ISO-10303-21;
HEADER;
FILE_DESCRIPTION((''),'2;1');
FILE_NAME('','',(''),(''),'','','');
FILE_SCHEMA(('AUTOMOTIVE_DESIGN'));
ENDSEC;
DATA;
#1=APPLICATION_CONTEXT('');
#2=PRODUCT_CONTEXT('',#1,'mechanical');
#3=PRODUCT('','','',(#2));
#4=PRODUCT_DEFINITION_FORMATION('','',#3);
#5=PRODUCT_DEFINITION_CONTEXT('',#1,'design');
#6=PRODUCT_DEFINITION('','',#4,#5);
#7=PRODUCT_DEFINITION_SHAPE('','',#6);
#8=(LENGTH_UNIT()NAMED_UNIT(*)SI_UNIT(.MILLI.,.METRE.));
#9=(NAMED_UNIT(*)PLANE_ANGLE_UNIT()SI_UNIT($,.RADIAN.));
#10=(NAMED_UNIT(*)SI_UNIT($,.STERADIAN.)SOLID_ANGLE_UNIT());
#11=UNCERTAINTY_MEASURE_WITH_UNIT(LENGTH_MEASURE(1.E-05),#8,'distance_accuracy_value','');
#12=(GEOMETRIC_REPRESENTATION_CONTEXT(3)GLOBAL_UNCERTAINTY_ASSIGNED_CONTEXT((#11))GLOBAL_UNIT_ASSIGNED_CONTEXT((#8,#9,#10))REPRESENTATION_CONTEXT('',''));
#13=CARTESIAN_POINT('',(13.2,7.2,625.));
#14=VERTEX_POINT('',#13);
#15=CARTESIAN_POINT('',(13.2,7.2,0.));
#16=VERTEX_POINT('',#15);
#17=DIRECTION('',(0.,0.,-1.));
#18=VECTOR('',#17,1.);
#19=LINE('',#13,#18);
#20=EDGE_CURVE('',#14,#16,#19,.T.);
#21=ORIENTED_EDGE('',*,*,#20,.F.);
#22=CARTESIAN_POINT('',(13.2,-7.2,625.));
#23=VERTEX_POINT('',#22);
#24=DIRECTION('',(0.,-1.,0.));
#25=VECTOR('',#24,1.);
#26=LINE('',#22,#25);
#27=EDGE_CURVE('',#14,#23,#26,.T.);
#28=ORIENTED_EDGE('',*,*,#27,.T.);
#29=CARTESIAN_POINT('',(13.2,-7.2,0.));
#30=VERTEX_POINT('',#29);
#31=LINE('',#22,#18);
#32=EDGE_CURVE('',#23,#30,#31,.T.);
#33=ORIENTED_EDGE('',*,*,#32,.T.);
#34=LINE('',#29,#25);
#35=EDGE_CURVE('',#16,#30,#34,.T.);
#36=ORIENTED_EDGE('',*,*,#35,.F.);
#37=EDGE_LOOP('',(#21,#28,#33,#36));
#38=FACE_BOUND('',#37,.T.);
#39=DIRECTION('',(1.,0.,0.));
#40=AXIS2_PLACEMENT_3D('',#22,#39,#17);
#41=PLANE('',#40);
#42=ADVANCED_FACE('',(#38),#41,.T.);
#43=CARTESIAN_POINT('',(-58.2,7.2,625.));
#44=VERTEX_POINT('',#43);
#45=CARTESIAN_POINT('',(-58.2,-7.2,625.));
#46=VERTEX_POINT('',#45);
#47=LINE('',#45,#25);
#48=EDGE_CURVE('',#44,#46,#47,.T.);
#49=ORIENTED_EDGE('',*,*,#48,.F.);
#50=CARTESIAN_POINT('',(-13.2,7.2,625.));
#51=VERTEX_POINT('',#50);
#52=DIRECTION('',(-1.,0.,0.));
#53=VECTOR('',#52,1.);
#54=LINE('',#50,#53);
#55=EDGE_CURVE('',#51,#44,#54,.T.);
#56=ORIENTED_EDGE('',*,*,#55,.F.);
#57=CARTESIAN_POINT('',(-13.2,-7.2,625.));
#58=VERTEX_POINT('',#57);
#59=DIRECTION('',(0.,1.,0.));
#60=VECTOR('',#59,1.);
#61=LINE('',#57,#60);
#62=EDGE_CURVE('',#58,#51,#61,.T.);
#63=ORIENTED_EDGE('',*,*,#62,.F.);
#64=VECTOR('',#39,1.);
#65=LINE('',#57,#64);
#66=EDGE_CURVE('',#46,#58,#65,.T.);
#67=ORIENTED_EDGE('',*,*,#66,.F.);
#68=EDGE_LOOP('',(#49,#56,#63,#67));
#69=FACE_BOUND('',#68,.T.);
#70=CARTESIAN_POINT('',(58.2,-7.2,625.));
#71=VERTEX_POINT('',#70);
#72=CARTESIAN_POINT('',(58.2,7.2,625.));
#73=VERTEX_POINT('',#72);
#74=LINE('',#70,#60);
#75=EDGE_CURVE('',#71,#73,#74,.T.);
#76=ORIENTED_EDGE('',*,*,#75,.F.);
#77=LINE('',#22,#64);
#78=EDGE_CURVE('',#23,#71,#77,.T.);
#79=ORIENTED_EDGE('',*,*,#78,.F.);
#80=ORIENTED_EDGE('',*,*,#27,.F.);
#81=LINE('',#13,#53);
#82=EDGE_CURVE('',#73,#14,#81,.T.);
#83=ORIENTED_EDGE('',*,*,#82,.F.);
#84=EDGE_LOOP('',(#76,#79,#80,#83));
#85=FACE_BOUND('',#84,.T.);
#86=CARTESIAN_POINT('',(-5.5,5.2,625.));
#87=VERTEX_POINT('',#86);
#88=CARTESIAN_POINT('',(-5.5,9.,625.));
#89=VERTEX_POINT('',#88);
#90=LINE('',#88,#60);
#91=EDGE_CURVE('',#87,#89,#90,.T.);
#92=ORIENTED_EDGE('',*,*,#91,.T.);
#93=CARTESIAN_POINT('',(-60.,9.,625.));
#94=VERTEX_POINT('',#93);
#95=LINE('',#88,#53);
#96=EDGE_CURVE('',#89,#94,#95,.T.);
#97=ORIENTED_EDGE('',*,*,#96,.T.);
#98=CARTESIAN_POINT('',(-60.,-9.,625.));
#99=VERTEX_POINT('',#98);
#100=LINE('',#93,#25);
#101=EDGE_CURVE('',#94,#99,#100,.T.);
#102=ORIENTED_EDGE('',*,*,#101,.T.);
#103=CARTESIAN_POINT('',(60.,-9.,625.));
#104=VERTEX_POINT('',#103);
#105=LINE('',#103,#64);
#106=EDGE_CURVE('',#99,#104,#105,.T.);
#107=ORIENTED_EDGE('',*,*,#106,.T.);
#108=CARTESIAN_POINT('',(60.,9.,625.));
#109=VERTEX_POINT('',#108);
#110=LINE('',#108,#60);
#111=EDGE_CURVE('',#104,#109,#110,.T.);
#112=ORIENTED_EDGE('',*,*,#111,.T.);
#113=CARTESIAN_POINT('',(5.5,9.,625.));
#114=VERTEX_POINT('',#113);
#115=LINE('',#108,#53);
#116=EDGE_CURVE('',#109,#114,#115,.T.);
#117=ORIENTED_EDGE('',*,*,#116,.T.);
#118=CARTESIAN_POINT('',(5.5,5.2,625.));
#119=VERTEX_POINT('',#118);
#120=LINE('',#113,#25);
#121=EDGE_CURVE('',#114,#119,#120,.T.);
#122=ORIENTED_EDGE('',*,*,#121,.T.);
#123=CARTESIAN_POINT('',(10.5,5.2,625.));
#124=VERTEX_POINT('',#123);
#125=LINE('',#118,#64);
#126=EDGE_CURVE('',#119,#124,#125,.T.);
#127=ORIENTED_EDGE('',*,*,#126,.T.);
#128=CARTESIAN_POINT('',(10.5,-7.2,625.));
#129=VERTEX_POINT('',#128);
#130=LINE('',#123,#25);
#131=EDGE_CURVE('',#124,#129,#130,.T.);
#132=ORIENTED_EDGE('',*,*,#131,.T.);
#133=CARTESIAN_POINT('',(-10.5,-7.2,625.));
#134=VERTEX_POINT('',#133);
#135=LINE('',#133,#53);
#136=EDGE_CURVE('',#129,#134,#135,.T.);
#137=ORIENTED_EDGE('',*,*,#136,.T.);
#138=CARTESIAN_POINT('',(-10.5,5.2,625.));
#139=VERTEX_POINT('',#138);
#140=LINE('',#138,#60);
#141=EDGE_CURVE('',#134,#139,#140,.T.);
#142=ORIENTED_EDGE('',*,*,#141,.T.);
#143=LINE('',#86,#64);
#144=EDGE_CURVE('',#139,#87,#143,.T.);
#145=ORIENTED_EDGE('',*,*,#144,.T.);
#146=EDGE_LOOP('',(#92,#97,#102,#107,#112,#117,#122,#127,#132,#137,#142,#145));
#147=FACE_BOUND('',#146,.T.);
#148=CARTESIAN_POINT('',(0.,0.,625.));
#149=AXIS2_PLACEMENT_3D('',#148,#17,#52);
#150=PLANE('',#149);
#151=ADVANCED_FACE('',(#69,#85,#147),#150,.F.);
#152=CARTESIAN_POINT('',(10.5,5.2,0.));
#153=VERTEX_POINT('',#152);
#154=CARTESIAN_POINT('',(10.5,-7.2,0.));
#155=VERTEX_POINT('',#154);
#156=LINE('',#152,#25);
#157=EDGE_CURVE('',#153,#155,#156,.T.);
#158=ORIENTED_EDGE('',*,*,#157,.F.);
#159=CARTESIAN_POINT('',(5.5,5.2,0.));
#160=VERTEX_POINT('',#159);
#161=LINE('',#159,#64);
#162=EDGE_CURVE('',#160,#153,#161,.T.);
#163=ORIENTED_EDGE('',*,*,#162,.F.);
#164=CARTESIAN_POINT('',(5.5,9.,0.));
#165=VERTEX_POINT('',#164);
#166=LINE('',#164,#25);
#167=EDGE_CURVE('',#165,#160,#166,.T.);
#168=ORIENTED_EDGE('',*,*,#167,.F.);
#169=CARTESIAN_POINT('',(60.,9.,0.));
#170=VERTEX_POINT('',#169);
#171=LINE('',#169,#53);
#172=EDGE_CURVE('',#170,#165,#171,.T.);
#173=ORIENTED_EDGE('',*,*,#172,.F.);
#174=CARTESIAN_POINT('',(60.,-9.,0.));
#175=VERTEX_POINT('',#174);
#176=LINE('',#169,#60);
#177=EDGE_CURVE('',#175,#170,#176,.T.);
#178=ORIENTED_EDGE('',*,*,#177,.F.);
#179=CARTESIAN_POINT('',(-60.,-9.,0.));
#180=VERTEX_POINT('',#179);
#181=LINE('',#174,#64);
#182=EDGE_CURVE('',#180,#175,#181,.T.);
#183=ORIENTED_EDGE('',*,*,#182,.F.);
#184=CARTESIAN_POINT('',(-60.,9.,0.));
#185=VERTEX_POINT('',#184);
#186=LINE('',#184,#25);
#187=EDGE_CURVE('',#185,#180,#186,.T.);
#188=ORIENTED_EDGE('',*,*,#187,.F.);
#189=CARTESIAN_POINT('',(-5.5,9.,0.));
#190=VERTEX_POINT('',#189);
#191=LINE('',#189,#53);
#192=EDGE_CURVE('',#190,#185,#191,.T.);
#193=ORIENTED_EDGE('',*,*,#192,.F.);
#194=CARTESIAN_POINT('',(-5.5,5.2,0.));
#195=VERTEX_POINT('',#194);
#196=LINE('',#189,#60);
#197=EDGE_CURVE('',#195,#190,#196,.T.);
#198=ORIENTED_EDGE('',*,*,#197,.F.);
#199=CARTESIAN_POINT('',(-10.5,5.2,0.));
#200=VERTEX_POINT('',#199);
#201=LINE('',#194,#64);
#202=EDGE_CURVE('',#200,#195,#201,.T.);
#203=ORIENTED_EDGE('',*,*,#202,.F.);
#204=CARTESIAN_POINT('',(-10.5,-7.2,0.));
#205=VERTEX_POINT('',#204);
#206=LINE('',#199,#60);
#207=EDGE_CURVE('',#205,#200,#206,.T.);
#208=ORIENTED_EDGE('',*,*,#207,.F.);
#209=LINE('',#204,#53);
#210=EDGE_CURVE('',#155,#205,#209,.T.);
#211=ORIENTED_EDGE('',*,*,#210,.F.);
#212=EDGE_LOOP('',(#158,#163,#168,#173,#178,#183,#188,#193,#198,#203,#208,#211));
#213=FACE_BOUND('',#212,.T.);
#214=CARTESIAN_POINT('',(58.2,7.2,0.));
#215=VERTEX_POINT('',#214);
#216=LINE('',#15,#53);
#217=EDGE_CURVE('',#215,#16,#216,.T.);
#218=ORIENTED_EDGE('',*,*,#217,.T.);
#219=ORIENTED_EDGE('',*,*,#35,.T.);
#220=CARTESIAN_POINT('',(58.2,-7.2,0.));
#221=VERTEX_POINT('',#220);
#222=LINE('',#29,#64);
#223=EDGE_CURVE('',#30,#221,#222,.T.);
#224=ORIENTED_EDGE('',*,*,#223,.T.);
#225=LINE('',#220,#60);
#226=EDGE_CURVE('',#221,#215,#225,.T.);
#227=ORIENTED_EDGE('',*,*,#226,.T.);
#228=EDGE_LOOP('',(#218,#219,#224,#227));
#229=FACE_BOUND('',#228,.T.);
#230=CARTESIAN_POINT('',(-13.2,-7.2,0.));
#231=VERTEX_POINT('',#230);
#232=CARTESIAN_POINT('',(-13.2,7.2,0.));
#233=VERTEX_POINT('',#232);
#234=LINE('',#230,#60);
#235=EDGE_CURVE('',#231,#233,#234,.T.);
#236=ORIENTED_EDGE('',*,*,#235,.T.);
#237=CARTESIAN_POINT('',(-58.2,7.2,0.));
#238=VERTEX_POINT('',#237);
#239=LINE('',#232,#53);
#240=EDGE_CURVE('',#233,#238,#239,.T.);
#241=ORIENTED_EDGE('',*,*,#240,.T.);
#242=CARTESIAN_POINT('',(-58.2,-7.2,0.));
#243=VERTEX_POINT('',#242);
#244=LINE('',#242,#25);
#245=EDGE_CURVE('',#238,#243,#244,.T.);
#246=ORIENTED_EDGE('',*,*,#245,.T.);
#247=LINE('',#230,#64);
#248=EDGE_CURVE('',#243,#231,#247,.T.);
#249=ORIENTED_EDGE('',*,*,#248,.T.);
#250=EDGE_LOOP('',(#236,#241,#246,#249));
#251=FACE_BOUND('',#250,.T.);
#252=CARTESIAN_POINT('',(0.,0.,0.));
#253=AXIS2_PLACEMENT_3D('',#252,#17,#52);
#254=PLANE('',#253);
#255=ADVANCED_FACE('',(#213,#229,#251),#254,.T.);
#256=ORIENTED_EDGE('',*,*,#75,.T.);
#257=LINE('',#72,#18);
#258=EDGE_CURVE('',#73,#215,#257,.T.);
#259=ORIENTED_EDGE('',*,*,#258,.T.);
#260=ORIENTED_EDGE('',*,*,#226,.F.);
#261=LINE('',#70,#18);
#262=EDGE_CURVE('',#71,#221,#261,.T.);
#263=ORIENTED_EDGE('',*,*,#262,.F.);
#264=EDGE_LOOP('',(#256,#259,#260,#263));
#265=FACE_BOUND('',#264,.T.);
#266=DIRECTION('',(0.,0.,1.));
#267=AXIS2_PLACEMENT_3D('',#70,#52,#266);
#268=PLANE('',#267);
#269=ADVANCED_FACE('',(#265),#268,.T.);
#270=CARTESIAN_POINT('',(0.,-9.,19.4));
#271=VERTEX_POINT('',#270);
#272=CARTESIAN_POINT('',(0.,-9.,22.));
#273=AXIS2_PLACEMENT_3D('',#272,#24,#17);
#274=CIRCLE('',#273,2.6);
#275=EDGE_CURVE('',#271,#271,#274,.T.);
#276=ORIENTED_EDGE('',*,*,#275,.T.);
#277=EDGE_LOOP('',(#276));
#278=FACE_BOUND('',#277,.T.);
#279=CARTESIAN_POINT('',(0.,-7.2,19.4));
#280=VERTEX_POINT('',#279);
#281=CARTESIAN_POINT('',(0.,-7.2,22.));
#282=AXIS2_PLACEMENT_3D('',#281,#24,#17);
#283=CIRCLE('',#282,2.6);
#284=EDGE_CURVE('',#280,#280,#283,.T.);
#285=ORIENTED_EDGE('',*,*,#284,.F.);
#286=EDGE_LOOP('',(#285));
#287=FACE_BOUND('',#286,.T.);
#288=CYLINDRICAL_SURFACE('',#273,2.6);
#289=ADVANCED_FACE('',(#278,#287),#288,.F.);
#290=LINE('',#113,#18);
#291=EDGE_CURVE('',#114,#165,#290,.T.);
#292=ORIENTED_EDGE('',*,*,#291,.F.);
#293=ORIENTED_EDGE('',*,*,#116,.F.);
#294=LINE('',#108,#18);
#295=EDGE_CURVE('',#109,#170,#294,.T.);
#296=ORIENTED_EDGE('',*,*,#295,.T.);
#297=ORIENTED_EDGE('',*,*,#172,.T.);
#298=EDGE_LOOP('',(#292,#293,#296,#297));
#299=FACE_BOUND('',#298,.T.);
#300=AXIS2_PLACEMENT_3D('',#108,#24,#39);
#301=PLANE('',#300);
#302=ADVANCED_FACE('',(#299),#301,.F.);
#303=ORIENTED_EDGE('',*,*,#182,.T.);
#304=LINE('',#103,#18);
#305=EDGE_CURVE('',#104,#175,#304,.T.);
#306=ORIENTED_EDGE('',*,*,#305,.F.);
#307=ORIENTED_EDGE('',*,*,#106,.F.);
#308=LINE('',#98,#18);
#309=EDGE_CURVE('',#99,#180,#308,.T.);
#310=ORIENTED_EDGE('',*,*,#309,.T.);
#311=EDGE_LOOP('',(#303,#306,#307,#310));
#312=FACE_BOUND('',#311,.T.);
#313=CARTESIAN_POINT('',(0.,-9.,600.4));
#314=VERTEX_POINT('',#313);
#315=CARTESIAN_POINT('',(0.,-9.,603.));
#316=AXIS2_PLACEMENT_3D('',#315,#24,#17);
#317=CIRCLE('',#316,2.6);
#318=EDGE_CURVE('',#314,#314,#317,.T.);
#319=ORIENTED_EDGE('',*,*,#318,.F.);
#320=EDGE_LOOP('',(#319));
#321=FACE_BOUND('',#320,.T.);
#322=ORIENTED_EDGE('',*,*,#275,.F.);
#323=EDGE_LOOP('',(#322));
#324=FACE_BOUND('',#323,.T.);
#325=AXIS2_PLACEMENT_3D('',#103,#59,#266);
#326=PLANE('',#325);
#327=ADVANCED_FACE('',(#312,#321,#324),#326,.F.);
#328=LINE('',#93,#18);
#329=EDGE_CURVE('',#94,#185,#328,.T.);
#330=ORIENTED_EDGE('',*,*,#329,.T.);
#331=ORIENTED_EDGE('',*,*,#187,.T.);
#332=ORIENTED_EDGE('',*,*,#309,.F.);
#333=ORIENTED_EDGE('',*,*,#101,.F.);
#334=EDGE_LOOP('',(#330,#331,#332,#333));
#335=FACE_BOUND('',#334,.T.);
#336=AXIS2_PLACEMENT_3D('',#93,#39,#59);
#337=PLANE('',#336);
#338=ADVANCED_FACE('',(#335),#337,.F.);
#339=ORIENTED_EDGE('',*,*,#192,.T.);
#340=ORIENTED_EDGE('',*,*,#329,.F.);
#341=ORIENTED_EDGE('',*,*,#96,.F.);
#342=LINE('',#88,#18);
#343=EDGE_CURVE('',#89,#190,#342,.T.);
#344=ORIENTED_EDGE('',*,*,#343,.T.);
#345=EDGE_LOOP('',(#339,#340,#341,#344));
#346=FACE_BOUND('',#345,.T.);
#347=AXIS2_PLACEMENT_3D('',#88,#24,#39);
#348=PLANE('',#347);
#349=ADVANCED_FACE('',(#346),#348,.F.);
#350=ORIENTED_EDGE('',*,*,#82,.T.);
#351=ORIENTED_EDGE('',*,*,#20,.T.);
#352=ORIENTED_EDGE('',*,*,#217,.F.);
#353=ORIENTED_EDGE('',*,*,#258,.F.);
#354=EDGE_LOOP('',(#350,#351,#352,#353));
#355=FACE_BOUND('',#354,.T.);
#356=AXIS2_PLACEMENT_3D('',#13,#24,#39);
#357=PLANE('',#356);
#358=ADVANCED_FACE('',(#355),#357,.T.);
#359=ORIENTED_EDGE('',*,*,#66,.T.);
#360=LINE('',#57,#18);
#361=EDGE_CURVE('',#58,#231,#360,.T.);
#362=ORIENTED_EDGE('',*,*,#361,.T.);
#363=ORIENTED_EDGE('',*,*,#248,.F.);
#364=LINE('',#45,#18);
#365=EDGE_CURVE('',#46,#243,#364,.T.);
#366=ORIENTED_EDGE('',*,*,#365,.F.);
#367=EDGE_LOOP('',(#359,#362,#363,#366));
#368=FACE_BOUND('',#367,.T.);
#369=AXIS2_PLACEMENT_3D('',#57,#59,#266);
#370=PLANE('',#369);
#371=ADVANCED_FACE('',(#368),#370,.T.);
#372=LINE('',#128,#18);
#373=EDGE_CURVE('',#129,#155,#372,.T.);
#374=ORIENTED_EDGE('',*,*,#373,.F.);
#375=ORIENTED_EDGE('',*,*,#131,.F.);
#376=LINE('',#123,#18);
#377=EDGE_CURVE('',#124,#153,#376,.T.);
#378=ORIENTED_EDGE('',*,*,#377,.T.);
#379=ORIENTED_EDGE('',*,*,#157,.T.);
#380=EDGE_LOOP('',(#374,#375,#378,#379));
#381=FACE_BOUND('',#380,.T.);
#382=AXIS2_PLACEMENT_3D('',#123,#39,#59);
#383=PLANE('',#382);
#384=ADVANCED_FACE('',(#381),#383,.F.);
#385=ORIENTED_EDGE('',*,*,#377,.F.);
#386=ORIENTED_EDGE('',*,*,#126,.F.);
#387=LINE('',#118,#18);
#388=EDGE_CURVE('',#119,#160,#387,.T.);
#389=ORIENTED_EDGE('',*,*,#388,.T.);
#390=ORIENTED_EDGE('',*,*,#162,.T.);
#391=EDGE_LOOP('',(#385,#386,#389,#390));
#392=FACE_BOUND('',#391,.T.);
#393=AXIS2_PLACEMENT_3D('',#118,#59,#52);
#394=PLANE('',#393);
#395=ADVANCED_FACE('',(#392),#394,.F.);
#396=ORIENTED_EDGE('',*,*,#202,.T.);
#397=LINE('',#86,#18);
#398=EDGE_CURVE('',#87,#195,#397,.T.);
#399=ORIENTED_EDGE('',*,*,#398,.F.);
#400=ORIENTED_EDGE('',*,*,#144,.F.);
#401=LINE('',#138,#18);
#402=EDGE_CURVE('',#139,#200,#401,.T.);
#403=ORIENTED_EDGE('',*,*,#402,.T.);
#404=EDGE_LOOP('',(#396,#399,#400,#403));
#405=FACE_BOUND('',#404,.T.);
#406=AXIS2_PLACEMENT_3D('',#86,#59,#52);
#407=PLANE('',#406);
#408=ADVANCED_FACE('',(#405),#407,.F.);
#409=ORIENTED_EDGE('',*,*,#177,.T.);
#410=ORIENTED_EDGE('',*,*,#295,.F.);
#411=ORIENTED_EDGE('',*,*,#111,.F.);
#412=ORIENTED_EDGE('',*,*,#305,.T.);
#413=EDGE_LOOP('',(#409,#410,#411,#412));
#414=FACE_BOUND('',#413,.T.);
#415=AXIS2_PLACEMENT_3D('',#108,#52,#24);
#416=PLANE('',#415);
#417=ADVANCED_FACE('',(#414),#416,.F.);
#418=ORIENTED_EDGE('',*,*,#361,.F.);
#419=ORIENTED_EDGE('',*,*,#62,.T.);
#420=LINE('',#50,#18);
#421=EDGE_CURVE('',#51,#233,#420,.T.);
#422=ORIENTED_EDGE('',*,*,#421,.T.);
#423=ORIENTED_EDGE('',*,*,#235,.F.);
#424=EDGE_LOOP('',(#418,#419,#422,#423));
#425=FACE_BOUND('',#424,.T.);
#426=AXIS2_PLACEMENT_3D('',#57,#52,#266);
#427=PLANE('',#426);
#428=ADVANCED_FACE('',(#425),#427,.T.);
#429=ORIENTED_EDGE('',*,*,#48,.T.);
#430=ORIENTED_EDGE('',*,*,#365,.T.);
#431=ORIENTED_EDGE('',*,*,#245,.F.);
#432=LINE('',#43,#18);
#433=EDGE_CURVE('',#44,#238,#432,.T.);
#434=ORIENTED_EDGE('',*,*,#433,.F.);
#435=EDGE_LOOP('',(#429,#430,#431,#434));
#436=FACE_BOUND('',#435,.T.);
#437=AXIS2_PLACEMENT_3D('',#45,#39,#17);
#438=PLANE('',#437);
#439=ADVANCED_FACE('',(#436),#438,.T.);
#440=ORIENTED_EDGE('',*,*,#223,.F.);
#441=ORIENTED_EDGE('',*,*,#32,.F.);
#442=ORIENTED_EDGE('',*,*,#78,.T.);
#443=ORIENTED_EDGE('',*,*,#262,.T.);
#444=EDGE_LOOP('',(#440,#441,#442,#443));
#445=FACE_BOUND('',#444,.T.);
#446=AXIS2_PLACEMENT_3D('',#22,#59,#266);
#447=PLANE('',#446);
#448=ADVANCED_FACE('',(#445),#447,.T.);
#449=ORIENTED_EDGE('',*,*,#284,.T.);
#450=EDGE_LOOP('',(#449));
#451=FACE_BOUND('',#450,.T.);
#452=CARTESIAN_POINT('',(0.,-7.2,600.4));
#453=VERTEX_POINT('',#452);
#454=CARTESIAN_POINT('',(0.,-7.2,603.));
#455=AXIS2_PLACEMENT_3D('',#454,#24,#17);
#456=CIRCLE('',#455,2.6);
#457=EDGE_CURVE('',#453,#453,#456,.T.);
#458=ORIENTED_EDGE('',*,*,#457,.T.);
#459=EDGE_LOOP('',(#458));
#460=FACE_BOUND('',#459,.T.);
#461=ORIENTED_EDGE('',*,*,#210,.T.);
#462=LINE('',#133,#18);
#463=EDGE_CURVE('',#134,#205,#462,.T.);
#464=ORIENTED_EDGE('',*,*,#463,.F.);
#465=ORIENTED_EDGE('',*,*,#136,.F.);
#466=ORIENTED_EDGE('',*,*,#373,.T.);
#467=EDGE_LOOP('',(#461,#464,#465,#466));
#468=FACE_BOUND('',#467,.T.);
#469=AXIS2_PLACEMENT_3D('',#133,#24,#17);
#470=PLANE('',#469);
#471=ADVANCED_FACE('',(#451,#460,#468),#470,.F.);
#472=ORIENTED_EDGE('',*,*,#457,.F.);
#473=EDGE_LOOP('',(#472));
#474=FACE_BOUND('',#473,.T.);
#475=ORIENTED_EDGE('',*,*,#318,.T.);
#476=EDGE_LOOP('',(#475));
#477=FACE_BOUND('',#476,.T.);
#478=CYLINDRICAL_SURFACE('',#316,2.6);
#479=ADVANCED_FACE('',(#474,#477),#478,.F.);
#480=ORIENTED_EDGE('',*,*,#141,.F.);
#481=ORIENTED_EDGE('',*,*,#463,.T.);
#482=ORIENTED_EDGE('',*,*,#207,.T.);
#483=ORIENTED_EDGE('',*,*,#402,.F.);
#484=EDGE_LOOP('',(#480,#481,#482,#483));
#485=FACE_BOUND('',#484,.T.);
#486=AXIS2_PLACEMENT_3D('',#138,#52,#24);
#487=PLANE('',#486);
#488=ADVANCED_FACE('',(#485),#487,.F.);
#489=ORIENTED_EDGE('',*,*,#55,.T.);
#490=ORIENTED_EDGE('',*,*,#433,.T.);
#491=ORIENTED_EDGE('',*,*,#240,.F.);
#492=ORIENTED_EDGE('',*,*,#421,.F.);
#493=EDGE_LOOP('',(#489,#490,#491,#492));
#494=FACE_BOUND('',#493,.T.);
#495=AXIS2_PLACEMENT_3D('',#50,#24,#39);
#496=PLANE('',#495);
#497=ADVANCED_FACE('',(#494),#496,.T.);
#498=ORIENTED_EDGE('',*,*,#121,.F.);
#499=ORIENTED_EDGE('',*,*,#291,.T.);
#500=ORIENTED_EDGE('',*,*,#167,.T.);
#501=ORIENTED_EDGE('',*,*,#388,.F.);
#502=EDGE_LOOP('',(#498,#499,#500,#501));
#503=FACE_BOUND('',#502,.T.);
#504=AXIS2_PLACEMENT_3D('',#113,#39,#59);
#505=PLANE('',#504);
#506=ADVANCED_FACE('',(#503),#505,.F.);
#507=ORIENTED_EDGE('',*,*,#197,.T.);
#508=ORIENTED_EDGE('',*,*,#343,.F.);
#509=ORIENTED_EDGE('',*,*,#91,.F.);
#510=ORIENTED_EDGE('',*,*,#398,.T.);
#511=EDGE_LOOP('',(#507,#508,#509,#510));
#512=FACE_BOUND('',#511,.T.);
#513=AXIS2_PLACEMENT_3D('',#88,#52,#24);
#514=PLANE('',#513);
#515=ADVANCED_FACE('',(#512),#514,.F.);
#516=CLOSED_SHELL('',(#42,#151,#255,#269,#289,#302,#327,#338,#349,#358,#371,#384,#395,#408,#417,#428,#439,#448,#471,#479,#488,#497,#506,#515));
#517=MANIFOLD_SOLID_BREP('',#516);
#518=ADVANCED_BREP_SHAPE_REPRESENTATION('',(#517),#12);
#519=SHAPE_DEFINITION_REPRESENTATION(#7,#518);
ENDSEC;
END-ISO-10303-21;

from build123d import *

# Parameters (mm, degrees)
SKETCH1_W                  = 45
SKETCH1_H                  = 14.4
BOSS_EXTRUDE1_DEPTH        = 625
F_5_2_5_2_DIAMETER_HOLE1_D = 5.2


with BuildPart() as part:
    # Sketch1 → Boss-Extrude1 (new body)
    with BuildSketch(Plane.XY):
        Polygon((-10.5, 5.2), (-10.5, -7.2), (10.5, -7.2), (10.5, 5.2), (5.5, 5.2), (5.5, 9), (60, 9), (60, -9), (-60, -9), (-60, 9), (-5.5, 9), (-5.5, 5.2), align=None)
        with Locations((-35.7, 0)):
            Rectangle(SKETCH1_W, SKETCH1_H, mode=Mode.SUBTRACT)
        with Locations((35.7, 0)):
            Rectangle(SKETCH1_W, SKETCH1_H, mode=Mode.SUBTRACT)
    extrude(amount=BOSS_EXTRUDE1_DEPTH)

    # Ø5.2 (5.2) Diameter Hole1 (through all)
    with Locations(Plane(origin=(0, -9, 0), x_dir=(-1, 0, 0), z_dir=(0, -1, 0))):
        with Locations((0, -22), (0, -603)):
            Hole(F_5_2_5_2_DIAMETER_HOLE1_D / 2)


solid = part.part
